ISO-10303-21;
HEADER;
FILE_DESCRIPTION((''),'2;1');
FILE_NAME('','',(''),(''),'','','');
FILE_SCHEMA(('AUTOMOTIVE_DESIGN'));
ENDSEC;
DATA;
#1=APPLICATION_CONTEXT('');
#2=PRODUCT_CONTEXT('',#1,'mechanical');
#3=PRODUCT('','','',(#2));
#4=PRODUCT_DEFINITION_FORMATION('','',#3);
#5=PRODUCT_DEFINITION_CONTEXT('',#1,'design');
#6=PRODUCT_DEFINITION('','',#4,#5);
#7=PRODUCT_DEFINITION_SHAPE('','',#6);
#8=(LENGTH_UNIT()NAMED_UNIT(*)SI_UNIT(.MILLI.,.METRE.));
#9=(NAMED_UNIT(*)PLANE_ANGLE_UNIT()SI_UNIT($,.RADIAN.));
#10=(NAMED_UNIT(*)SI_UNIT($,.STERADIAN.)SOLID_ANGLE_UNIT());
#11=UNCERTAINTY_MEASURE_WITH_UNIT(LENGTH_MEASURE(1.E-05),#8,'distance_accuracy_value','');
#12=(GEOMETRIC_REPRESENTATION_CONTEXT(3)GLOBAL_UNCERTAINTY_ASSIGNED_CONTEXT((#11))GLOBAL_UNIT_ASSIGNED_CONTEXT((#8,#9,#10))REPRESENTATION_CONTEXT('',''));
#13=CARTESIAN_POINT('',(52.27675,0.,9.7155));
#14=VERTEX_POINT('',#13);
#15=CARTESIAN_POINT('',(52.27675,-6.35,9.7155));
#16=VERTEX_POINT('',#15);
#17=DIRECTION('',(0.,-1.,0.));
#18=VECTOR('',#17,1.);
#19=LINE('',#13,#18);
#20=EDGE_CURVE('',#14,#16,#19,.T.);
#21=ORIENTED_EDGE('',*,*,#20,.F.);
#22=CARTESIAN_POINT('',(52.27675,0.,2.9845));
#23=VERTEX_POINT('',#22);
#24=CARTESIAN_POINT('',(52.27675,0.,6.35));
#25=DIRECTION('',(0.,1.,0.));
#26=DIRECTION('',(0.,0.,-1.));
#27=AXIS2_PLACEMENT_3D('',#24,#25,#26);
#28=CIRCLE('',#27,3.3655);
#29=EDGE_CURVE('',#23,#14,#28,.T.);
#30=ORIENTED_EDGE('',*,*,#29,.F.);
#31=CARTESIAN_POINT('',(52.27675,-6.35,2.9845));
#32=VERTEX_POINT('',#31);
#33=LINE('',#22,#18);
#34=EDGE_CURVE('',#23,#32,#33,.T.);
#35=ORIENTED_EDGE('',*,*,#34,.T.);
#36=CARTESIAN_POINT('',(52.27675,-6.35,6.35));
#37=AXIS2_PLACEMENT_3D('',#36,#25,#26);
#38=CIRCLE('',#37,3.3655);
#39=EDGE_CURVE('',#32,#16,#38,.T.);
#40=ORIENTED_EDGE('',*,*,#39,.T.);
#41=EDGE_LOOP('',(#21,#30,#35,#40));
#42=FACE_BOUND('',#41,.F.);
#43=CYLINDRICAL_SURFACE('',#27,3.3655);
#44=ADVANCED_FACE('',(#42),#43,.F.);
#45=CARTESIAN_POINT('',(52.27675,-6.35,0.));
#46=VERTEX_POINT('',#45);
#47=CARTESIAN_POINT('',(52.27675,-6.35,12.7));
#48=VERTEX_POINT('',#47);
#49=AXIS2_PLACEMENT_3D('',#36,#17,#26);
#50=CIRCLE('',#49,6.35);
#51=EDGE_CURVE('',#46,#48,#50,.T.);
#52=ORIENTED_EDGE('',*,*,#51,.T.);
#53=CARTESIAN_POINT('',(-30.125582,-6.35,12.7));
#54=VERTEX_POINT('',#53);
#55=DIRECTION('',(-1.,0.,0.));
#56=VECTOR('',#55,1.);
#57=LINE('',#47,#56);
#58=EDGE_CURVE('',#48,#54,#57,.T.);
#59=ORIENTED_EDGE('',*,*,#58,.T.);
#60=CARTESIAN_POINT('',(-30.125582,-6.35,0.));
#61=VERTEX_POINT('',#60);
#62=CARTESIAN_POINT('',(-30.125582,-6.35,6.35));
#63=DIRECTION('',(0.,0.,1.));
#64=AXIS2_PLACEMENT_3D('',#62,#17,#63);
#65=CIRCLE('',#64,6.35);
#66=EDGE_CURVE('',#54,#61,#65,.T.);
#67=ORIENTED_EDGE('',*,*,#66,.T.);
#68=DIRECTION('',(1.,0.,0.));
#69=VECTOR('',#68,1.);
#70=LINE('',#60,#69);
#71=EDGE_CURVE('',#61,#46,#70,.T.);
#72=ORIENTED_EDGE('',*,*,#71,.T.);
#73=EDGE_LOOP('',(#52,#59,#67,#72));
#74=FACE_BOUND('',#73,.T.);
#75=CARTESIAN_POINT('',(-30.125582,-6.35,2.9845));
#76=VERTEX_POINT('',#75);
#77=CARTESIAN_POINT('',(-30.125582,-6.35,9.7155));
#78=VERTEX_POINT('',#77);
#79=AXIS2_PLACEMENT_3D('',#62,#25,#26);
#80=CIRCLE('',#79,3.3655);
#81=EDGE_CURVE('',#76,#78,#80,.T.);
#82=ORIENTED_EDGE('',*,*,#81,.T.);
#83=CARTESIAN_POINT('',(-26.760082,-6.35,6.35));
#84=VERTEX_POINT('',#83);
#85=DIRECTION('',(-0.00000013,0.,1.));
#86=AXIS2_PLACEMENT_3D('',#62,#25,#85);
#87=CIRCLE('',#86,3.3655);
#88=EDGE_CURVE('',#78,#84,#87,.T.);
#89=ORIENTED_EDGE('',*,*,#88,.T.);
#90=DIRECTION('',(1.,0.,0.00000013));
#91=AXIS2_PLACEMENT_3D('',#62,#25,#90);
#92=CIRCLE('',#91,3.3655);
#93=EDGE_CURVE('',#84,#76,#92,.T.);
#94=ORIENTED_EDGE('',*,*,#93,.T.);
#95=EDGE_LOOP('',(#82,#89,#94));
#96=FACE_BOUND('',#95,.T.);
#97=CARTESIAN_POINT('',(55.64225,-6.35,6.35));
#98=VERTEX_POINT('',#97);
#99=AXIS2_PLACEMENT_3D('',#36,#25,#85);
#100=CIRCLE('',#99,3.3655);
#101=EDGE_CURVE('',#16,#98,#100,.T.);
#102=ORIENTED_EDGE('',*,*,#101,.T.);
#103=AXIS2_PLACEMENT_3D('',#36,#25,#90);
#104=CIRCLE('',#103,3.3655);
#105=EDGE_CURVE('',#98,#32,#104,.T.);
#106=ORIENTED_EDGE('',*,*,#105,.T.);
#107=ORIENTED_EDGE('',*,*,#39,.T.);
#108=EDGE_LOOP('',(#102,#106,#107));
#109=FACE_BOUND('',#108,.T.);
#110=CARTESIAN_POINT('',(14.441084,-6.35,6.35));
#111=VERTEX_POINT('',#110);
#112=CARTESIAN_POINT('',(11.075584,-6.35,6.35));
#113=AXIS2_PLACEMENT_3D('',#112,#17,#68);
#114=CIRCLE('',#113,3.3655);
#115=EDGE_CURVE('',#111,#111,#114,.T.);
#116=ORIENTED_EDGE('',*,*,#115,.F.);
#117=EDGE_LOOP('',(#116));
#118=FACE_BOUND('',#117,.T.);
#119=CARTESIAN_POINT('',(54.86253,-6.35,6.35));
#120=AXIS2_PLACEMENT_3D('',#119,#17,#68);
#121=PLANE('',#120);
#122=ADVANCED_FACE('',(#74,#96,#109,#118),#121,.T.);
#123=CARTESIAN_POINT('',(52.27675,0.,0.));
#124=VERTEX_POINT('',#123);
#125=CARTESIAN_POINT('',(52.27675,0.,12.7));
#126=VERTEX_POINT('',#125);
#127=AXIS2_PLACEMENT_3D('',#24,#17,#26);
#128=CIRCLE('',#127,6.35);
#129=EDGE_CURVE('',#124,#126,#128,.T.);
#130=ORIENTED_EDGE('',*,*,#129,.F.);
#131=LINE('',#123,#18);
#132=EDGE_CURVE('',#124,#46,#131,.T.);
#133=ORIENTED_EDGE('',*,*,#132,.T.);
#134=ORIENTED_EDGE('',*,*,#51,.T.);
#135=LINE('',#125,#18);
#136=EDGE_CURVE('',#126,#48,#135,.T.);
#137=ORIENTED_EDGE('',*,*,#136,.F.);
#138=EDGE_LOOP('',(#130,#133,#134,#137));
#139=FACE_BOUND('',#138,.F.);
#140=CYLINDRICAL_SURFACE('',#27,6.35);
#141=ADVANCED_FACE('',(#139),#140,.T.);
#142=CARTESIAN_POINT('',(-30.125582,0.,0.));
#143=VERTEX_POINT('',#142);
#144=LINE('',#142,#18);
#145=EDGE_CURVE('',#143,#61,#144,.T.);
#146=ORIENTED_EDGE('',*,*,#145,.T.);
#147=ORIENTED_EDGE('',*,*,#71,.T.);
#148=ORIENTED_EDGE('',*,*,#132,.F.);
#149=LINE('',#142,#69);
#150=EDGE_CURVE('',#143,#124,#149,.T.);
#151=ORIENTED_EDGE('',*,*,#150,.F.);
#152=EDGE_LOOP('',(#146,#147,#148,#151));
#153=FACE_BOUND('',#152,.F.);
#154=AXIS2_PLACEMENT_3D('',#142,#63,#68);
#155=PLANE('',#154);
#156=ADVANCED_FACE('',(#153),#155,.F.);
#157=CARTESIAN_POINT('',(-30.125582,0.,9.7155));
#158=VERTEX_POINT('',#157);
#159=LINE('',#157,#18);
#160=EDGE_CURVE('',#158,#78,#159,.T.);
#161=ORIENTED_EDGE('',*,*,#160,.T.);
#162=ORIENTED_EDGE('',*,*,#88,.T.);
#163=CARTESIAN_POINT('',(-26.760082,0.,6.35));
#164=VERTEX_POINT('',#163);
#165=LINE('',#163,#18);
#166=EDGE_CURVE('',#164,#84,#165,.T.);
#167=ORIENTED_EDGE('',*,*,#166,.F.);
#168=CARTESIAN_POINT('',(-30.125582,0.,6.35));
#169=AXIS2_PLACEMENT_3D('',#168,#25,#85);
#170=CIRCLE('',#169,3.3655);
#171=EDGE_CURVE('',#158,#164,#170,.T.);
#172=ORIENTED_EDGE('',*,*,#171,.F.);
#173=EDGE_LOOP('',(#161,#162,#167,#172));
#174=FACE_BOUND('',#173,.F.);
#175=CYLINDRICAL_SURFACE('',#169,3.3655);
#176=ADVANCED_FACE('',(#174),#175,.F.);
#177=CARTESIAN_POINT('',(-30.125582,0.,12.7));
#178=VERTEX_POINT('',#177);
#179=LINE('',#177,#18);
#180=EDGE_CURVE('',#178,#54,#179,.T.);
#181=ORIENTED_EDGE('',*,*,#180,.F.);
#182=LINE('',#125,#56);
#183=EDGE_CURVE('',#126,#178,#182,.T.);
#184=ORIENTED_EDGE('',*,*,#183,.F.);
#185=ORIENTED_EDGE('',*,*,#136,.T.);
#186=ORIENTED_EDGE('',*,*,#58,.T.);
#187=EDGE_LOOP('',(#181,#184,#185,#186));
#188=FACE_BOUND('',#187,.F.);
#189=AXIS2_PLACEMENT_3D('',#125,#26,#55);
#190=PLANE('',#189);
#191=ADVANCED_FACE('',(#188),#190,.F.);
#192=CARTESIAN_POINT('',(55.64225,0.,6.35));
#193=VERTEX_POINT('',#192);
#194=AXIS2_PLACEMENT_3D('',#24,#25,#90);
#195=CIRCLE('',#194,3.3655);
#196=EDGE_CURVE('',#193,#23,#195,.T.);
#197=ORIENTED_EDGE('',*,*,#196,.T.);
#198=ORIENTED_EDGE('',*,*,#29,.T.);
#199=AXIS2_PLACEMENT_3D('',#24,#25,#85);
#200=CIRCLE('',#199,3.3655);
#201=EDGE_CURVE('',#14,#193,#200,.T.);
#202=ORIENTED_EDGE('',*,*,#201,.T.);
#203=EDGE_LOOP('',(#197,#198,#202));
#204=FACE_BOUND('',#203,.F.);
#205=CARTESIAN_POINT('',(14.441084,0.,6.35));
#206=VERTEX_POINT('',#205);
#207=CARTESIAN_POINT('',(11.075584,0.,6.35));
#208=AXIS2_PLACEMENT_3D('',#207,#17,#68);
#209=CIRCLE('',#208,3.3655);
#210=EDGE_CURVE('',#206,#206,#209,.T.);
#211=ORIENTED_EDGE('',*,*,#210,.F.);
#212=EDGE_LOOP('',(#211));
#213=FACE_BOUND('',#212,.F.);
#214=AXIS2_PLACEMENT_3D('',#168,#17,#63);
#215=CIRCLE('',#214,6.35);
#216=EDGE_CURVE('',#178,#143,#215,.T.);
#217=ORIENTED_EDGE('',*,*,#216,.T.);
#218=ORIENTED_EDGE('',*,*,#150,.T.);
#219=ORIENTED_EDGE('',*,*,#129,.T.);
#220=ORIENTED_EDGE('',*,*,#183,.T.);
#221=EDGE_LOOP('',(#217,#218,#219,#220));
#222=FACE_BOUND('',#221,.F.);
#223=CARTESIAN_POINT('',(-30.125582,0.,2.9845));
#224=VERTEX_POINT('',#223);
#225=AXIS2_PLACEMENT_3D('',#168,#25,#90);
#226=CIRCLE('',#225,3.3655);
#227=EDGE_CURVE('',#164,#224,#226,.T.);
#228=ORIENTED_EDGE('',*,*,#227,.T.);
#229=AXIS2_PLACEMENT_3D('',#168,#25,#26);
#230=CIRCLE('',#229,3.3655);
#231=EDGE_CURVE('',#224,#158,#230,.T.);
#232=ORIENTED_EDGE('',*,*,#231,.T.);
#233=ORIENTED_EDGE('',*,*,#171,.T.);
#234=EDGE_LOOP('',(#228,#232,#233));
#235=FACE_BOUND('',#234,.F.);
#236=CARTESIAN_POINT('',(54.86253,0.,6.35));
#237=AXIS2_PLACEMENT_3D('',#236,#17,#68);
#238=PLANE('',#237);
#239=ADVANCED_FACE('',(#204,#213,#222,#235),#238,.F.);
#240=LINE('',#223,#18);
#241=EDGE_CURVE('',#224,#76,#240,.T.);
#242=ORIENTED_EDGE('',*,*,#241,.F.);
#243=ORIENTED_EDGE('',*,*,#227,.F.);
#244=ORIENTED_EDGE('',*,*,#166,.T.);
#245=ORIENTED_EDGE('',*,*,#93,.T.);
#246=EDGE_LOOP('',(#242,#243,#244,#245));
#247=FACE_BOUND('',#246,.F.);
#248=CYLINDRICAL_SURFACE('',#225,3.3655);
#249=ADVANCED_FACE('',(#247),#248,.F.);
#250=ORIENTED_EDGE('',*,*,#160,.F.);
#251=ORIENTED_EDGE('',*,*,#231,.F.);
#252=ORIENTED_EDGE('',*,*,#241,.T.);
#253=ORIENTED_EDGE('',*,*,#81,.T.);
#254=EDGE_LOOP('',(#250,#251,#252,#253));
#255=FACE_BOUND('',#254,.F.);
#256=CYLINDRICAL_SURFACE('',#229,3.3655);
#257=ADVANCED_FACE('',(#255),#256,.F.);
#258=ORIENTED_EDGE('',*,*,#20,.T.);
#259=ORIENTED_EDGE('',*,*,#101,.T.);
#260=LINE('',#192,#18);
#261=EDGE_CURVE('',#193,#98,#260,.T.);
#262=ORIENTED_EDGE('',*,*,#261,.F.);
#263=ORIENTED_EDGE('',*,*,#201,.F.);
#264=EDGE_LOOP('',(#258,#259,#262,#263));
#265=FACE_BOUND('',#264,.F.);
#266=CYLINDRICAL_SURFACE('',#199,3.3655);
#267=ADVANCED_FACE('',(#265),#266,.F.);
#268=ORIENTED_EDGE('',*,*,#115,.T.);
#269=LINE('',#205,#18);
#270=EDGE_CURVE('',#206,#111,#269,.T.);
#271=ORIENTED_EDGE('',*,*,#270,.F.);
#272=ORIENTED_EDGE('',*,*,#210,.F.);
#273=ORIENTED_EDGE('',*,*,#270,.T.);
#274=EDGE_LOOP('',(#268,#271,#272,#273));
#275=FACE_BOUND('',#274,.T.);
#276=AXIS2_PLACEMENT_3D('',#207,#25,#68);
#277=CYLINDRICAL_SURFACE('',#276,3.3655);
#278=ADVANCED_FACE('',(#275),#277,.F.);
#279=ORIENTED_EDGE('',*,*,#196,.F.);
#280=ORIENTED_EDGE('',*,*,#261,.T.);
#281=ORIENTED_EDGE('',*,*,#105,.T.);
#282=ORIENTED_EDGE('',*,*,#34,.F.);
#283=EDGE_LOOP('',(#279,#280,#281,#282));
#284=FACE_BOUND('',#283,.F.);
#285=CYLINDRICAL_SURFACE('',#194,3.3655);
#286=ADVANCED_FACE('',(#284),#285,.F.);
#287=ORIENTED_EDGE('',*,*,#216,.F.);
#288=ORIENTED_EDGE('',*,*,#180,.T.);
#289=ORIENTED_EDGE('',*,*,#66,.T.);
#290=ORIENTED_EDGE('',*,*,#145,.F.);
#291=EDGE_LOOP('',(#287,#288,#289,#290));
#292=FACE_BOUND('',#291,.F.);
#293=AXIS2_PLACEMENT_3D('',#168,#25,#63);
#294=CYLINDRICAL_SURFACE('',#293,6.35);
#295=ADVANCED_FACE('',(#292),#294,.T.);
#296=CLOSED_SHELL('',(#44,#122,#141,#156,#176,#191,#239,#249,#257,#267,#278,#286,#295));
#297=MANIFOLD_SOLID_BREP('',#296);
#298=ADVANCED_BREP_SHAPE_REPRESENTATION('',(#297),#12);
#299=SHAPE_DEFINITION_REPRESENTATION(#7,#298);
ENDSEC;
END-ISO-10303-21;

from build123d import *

# Parameters (mm, degrees)
F0_R     = 3.3655
F1_DEPTH = 6.35


with BuildPart() as f1:
    # F0 (on Front) → F1 (new body)
    with BuildSketch(Plane.XZ):
        with BuildLine():
            Line((52.27675, 2.9845), (52.27675, 0))
            ThreePointArc((52.27675, 0), (58.62675, 6.35), (52.27675, 12.7))
            Line((52.27675, 12.7), (52.27675, 9.7155))
            ThreePointArc((52.27675, 9.7155), (54.656518, 8.729768), (55.64225, 6.35))
            ThreePointArc((55.64225, 6.35), (54.656518, 3.970232), (52.27675, 2.9845))
        make_face()
        with BuildLine():
            ThreePointArc((-30.125582, 12.7), (-36.475582, 6.35), (-30.125582, 0))
            Line((-30.125582, 0), (-30.125582, 2.9845))
            ThreePointArc((-30.125582, 2.9845), (-33.491082, 6.35), (-30.125582, 9.7155))
            Line((-30.125582, 9.7155), (-30.125582, 12.7))
        make_face()
        with BuildLine():
            Line((-30.125582, 0), (52.27675, 0))
            Line((52.27675, 0), (52.27675, 2.9845))
            ThreePointArc((52.27675, 2.9845), (48.91125, 6.35), (52.27675, 9.7155))
            Line((52.27675, 9.7155), (52.27675, 12.7))
            Line((52.27675, 12.7), (-30.125582, 12.7))
            Line((-30.125582, 12.7), (-30.125582, 9.7155))
            ThreePointArc((-30.125582, 9.7155), (-27.745814, 8.729768), (-26.760082, 6.35))
            ThreePointArc((-26.760082, 6.35), (-27.745814, 3.970232), (-30.125582, 2.9845))
            Line((-30.125582, 2.9845), (-30.125582, 0))
        make_face()
        with Locations((11.075584, 6.35)):
            Circle(F0_R, mode=Mode.SUBTRACT)
    extrude(amount=F1_DEPTH)


solid = f1.part
